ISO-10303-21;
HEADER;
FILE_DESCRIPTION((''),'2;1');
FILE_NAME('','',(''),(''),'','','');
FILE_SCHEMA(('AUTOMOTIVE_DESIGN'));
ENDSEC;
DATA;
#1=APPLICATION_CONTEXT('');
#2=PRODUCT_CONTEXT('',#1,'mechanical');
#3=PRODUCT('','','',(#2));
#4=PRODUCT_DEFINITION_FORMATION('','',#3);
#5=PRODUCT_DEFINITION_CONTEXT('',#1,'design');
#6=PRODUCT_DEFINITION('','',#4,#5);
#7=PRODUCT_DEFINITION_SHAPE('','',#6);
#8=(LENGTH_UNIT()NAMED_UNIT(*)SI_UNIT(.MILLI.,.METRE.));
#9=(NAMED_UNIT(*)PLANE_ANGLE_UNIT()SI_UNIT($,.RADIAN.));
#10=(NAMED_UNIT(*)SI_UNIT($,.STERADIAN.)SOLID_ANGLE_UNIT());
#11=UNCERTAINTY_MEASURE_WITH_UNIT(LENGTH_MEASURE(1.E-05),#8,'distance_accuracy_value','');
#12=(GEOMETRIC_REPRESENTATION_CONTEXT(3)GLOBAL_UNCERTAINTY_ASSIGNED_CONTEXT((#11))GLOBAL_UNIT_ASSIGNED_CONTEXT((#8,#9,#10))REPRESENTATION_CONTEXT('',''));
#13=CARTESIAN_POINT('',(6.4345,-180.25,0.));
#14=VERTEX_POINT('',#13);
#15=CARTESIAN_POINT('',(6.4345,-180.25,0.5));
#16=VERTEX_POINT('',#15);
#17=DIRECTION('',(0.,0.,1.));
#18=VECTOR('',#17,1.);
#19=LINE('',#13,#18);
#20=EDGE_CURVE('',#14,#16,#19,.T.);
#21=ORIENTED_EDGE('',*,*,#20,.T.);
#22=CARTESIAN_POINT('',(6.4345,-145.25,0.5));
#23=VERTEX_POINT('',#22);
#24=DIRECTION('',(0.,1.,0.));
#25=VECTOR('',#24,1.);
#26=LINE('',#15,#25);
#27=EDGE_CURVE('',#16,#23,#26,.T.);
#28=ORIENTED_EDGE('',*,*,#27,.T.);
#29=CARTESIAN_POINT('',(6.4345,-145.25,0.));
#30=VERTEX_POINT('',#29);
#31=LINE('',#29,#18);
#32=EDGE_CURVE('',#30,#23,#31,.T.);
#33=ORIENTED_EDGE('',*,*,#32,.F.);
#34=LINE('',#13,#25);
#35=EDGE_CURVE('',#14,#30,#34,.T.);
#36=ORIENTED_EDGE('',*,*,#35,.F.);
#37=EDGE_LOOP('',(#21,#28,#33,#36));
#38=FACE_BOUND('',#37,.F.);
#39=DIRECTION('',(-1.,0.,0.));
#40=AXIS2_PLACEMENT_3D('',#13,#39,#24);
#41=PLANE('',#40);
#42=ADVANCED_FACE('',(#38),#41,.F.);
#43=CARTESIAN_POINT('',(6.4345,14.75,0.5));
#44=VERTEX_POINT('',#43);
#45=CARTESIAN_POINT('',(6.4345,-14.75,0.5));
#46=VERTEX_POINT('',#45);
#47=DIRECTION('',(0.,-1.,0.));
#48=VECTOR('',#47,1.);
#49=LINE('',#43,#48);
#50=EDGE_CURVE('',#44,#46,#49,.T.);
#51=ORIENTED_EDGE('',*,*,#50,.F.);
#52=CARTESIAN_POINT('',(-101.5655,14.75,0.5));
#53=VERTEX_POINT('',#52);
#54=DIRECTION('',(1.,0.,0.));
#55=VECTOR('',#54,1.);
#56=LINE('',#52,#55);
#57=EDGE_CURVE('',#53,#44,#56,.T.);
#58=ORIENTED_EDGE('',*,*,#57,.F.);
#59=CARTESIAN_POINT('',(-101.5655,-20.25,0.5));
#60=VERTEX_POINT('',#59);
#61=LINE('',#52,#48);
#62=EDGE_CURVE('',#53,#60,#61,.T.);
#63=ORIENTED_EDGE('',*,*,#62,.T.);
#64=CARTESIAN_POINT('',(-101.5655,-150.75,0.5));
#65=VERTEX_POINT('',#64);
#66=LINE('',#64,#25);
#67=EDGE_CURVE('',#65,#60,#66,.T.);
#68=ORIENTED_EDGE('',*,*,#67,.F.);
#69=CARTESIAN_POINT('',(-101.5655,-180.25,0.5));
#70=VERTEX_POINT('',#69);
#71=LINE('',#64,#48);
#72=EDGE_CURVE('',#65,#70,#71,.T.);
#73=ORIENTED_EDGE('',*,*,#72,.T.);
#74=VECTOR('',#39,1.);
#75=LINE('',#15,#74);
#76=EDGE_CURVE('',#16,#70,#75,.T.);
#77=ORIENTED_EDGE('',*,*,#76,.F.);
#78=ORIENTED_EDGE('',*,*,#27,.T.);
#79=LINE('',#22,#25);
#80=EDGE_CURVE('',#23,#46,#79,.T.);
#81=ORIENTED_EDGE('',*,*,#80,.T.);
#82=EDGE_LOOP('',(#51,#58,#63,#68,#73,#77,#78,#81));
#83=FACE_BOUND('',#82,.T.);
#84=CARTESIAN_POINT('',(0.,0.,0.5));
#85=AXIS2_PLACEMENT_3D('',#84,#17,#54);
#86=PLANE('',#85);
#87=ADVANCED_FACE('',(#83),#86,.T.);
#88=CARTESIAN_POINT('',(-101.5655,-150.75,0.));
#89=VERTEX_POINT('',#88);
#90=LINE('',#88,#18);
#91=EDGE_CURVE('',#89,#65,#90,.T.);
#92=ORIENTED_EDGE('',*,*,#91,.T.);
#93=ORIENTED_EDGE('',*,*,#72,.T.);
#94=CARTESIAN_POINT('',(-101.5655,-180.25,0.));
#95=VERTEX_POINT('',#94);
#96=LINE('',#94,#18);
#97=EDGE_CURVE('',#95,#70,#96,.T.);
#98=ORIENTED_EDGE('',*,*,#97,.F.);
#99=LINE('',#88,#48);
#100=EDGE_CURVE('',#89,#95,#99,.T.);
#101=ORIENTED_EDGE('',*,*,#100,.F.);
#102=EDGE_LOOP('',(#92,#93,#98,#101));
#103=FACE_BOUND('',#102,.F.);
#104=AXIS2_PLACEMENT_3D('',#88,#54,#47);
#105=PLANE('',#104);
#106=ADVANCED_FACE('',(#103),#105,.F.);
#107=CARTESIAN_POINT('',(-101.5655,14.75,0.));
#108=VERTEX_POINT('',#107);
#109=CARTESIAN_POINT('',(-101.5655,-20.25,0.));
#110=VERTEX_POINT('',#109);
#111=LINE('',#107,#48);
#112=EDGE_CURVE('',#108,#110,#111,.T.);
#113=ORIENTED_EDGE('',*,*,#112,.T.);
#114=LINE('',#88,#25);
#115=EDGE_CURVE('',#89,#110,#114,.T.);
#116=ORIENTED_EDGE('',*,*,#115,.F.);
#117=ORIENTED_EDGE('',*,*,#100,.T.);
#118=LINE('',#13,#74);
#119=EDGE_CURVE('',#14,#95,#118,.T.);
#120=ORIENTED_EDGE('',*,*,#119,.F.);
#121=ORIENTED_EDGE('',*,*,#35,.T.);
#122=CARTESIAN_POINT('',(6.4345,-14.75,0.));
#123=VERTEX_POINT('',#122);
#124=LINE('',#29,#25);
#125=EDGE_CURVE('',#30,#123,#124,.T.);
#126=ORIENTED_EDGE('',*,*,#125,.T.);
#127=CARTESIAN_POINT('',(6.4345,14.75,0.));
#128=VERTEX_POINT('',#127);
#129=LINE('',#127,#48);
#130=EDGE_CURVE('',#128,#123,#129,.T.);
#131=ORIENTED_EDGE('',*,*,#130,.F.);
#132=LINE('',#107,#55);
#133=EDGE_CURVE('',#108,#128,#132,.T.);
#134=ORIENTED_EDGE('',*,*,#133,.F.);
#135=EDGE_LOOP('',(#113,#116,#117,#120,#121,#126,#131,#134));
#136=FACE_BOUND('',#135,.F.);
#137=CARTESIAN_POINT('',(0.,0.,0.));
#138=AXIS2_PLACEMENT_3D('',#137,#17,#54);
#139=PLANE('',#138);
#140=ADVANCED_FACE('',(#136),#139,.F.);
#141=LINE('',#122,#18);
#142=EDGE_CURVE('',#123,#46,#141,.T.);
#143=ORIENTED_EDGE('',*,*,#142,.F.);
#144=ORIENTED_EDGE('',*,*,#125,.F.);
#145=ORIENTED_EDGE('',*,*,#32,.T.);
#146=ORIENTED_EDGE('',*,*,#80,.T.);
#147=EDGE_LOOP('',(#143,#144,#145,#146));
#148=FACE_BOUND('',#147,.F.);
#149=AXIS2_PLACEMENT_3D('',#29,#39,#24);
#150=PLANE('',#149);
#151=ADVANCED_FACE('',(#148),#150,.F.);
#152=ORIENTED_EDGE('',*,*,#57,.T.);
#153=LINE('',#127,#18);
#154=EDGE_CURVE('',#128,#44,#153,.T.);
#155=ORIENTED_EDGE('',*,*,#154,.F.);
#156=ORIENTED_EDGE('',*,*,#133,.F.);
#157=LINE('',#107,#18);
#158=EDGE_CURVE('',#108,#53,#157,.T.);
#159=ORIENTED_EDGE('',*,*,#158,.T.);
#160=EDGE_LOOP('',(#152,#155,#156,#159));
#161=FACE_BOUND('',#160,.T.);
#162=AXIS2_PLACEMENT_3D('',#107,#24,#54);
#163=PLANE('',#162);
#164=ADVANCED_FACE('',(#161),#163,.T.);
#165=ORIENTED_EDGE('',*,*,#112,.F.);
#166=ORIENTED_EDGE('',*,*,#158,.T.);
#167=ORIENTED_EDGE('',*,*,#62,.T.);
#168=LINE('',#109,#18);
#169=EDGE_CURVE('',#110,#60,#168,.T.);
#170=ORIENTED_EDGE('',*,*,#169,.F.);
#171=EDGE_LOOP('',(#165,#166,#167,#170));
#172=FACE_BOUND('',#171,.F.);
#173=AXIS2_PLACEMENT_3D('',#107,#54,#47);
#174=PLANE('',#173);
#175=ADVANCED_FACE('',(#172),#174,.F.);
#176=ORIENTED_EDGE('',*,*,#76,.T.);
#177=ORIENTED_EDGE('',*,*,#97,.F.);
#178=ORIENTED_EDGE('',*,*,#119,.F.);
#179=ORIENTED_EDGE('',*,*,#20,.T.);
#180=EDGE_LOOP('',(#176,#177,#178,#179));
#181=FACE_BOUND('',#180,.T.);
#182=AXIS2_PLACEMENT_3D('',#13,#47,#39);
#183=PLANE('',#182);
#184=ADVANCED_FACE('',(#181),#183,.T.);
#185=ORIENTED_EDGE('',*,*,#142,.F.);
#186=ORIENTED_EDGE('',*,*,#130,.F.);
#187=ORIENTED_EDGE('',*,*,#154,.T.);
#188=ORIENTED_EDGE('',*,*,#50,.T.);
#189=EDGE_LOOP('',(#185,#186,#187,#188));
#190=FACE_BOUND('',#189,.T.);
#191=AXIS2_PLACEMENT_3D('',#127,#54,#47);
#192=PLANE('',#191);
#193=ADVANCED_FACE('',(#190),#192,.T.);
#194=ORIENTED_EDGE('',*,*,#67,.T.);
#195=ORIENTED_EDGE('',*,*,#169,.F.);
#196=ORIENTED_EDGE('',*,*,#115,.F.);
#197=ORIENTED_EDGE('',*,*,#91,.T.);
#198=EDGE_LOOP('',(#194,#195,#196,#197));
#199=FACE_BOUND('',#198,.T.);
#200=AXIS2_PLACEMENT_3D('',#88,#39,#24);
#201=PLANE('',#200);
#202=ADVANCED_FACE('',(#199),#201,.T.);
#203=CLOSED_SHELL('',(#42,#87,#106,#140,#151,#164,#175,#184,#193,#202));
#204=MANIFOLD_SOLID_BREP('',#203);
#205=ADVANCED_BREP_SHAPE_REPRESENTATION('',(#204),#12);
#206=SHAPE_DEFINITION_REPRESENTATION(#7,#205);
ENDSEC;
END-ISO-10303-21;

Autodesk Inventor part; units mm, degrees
ref_plane "YZ Plane" through (0, 0, 0) normal (1, 0, 0) x (0, 1, 0)
ref_plane "XZ Plane" through (0, 0, 0) normal (0, 1, 0) x (-1, 0, 0)
ref_plane "Work Plane1" through (0, 0, 0) normal (0, 0, 1) x (1, 0, 0)
sketch "Sketch1" plane through (0, 0, 0) normal (0, 0, 1) x (1, 0, 0)
  line L0 (6.4345, -180.25) -> (6.4345, -145.25) projected
  line L1 (6.4345, 14.75) -> (6.4345, -14.75) projected
  line L2 (-101.5655, -150.75) -> (-101.5655, -180.25) projected
  line L3 (-101.5655, 14.75) -> (-101.5655, -20.25) projected
  line L4 (6.4345, -180.25) -> (-101.5655, -180.25)
  line L5 (-101.5655, 14.75) -> (6.4345, 14.75)
  line L6 (-101.5655, -150.75) -> (-101.5655, -20.25)
  line L7 (6.4345, -145.25) -> (6.4345, -14.75)
  point P0 (0, 0)
extrude "Extrusion1" add sketch "Sketch1" along normal blind 0.5
properties part number "Bandeja recolectora"
